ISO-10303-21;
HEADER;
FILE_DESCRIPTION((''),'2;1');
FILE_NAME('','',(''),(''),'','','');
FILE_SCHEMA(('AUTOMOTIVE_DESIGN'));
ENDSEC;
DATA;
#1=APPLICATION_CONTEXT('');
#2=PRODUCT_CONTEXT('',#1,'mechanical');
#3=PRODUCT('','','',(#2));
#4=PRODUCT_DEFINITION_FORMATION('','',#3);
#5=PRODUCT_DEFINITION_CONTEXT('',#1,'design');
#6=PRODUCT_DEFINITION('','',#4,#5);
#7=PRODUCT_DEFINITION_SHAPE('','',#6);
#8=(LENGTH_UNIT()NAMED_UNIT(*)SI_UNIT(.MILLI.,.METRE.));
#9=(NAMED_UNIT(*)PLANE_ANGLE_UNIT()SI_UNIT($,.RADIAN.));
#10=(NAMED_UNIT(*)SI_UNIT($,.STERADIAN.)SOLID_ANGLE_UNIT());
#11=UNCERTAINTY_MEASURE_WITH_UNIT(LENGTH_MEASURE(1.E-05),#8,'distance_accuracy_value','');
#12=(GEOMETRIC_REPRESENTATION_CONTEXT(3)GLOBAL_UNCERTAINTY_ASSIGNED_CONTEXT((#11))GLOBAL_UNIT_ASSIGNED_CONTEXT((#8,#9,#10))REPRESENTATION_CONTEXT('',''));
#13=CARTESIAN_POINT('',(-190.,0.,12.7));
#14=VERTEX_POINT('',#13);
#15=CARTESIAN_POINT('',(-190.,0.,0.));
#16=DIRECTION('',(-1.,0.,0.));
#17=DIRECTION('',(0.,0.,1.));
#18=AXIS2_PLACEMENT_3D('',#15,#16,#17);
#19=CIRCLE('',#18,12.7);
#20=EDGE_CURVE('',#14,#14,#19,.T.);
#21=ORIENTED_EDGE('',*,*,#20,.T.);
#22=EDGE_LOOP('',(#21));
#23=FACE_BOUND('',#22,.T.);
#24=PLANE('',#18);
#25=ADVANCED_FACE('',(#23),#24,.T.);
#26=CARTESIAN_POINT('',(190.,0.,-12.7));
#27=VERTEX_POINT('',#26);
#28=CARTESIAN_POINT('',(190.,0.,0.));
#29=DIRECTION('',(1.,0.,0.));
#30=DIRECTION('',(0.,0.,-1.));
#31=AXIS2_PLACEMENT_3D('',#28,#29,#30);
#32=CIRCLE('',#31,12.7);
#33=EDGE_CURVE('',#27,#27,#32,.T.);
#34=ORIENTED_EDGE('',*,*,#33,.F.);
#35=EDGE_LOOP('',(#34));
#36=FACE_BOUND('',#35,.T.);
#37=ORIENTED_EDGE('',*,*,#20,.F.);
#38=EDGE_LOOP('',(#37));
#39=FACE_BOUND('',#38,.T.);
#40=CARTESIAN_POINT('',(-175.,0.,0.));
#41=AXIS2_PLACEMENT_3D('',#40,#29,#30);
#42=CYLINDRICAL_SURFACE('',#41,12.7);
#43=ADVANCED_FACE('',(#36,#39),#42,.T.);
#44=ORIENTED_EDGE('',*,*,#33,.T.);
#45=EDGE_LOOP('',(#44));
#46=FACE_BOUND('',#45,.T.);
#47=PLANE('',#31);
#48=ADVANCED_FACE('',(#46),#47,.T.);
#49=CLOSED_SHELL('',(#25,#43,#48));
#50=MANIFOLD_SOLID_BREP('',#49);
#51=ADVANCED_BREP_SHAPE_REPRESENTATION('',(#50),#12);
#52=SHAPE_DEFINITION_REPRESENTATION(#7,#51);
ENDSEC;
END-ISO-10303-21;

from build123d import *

# Parameters (mm, degrees)
BOSS_EXTRUDE1_DEPTH      = 175
BOSS_EXTRUDE1_DEPTH_BACK = 175
SKETCH1_R                = 12.7
SKETCH2_R                = 12.7
BOSS_EXTRUDE2_DEPTH      = 15
BOSS_EXTRUDE3_START      = 15
SKETCH3_R                = 12.7
BOSS_EXTRUDE3_DEPTH      = 15


with BuildPart() as part:
    # Sketch1 → Boss-Extrude1 (new, two sides: drawn at the far end of the back side and taken through both)
    with BuildSketch(Plane(origin=(0, 0, 0), x_dir=(0, 0, -1), z_dir=(1, 0, 0)).offset(-BOSS_EXTRUDE1_DEPTH_BACK)):
        Circle(SKETCH1_R)
    extrude(amount=BOSS_EXTRUDE1_DEPTH + BOSS_EXTRUDE1_DEPTH_BACK)

    # Sketch2 → Boss-Extrude2 (add)
    with BuildSketch(Plane(origin=(175, 0, 0), x_dir=(0, 0, -1), z_dir=(1, 0, 0))):
        Circle(SKETCH2_R)
    extrude(amount=BOSS_EXTRUDE2_DEPTH)

    # Sketch3 → Boss-Extrude3 (add)
    with BuildSketch(Plane.ZY.offset(175).offset(BOSS_EXTRUDE3_START)):
        Circle(SKETCH3_R)
    extrude(amount=-BOSS_EXTRUDE3_DEPTH)


solid = part.part
